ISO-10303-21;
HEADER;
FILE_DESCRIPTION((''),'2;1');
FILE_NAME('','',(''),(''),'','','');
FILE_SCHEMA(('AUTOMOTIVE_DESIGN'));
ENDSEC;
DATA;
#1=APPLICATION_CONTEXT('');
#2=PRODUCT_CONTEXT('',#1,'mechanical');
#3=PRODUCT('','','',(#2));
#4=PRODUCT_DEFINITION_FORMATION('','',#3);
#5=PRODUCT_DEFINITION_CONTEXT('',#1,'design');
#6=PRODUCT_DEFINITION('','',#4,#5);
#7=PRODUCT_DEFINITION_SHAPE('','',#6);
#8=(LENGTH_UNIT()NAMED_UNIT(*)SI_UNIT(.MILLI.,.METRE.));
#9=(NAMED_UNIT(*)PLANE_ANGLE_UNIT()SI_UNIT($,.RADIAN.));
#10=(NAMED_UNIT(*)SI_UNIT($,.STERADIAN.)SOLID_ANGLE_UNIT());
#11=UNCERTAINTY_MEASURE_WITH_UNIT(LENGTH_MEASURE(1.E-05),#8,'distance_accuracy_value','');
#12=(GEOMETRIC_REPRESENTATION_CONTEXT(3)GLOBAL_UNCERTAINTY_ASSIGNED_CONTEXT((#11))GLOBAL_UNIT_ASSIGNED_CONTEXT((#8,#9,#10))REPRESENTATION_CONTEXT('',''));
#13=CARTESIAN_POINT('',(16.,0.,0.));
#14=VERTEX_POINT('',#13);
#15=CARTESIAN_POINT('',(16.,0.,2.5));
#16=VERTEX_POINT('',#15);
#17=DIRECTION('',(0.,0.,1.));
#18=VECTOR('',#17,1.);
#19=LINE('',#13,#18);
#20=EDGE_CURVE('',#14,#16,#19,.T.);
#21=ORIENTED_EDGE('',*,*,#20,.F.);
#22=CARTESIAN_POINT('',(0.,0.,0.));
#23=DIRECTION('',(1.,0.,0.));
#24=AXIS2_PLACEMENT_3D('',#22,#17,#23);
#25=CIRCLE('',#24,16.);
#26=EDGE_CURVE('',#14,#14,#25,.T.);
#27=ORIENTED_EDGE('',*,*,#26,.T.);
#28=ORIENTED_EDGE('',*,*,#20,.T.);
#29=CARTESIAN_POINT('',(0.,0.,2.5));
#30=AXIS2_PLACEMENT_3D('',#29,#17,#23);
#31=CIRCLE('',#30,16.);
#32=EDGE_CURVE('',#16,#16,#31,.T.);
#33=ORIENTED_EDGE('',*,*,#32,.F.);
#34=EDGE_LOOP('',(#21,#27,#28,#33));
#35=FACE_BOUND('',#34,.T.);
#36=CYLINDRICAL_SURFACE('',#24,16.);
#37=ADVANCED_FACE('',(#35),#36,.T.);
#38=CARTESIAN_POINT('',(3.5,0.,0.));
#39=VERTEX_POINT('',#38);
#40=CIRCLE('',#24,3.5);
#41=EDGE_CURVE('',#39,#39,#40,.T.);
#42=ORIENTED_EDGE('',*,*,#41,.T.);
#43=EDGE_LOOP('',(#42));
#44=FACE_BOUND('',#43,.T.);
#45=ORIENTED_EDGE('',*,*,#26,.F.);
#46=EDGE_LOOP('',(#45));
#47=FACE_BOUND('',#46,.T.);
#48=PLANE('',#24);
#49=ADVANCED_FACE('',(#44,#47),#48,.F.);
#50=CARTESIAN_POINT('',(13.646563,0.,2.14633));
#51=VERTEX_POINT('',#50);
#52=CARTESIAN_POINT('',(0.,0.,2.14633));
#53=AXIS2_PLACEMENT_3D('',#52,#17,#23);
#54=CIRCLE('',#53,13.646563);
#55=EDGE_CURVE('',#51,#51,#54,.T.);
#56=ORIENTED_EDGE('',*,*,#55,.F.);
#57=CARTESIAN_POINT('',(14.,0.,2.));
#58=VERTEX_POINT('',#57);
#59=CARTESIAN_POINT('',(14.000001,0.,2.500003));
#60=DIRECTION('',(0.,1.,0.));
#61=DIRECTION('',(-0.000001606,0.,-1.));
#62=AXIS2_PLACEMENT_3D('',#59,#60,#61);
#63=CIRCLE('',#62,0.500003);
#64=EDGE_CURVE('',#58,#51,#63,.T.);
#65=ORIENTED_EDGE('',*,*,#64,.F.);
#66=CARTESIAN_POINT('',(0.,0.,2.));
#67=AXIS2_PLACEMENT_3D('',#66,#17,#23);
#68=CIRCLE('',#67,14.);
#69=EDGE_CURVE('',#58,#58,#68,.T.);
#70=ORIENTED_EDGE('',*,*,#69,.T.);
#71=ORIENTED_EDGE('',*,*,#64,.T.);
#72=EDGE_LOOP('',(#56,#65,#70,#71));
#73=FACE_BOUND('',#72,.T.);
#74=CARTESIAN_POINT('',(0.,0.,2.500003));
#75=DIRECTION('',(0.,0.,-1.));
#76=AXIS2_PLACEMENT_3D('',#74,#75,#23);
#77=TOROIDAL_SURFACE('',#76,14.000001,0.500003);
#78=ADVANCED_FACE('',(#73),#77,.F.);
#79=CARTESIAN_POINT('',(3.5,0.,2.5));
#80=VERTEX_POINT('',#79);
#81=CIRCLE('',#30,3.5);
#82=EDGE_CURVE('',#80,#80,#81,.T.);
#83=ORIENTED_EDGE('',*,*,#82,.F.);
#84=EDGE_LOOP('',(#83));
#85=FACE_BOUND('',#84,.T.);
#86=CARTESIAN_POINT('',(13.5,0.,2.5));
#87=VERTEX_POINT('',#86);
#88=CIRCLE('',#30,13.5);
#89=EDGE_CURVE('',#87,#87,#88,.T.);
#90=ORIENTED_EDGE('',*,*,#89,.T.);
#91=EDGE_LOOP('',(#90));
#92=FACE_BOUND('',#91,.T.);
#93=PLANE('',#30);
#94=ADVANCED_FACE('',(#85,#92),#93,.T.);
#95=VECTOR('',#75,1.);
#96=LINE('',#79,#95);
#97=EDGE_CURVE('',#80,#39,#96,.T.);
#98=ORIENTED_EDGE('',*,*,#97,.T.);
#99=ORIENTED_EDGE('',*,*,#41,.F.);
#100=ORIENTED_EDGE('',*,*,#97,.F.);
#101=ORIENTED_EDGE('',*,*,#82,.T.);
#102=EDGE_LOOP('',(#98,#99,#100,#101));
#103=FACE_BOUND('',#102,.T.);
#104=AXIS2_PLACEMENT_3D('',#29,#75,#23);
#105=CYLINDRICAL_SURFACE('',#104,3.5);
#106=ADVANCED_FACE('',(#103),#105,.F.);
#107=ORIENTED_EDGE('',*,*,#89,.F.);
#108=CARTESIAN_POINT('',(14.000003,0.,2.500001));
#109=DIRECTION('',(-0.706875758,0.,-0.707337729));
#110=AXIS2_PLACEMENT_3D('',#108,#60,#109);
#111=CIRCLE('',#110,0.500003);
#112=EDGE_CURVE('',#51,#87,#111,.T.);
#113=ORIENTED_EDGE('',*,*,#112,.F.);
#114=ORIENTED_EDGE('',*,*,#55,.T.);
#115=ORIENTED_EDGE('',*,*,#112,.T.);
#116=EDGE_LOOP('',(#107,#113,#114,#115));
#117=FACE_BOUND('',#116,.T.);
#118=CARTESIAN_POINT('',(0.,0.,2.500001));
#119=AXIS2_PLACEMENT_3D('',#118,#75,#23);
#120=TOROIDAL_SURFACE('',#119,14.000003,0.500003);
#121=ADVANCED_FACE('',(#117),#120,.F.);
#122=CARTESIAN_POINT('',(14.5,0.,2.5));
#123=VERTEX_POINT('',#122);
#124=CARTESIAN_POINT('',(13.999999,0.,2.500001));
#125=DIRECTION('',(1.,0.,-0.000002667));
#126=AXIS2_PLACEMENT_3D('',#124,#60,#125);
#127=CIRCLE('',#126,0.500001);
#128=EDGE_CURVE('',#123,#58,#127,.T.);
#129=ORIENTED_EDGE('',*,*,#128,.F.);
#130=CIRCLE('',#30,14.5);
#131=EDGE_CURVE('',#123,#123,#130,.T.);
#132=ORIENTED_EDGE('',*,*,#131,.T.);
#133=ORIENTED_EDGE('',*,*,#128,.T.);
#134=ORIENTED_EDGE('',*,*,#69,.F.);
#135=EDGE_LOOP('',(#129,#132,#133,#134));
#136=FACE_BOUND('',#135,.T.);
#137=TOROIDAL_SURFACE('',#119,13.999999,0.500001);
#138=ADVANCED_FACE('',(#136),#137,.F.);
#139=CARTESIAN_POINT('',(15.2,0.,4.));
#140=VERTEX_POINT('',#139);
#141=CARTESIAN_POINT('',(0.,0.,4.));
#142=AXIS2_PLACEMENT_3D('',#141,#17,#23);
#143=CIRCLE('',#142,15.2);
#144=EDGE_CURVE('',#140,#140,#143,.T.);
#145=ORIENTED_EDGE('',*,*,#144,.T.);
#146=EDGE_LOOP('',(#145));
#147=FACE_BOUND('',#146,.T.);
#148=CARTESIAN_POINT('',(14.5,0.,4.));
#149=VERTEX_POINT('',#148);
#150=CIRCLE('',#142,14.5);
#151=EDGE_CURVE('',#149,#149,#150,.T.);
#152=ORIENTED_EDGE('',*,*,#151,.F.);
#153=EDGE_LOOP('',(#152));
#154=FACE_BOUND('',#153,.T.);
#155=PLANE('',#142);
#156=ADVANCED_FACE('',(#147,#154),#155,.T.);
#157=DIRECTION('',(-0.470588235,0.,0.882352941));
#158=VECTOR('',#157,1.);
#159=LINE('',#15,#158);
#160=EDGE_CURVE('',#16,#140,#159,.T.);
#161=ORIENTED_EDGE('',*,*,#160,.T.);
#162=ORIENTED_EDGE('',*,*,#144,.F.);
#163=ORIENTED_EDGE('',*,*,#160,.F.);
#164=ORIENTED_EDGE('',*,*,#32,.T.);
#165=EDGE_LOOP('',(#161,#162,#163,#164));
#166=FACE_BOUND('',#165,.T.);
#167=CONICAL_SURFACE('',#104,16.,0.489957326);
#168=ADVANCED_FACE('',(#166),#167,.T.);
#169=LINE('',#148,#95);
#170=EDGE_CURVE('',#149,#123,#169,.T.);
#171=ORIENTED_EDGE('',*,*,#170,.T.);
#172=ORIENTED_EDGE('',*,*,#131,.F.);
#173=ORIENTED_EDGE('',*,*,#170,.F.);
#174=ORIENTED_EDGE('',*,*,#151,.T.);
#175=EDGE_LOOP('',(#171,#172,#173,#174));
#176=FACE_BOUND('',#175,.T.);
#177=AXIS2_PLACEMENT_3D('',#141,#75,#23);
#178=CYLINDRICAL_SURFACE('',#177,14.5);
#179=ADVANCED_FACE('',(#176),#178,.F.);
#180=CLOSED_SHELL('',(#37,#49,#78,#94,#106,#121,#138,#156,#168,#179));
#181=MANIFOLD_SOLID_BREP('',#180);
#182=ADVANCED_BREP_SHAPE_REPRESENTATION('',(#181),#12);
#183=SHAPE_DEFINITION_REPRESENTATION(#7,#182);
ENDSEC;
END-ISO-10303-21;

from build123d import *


with BuildPart() as f1:
    # F0 (on Front) → F1 (revolve)
    with BuildSketch(Plane.XZ):
        with BuildLine():
            Line((3.5, 2.5), (3.5, 0))
            Line((3.5, 0), (16, 0))
            Line((16, 0), (16, 2.5))
            Line((16, 2.5), (15.2, 4))
            Line((15.2, 4), (14.5, 4))
            Line((14.5, 4), (14.5, 2.5))
            ThreePointArc((14.5, 2.5), (14.353553, 2.146447), (14, 2))
            ThreePointArc((14, 2), (13.808734, 2.038029), (13.646563, 2.14633))
            ThreePointArc((13.646563, 2.14633), (13.538092, 2.308582), (13.5, 2.5))
            Line((13.5, 2.5), (3.5, 2.5))
        make_face()
    revolve(axis=Axis((0, 0, 2), (0, 0, 1)))


solid = f1.part
